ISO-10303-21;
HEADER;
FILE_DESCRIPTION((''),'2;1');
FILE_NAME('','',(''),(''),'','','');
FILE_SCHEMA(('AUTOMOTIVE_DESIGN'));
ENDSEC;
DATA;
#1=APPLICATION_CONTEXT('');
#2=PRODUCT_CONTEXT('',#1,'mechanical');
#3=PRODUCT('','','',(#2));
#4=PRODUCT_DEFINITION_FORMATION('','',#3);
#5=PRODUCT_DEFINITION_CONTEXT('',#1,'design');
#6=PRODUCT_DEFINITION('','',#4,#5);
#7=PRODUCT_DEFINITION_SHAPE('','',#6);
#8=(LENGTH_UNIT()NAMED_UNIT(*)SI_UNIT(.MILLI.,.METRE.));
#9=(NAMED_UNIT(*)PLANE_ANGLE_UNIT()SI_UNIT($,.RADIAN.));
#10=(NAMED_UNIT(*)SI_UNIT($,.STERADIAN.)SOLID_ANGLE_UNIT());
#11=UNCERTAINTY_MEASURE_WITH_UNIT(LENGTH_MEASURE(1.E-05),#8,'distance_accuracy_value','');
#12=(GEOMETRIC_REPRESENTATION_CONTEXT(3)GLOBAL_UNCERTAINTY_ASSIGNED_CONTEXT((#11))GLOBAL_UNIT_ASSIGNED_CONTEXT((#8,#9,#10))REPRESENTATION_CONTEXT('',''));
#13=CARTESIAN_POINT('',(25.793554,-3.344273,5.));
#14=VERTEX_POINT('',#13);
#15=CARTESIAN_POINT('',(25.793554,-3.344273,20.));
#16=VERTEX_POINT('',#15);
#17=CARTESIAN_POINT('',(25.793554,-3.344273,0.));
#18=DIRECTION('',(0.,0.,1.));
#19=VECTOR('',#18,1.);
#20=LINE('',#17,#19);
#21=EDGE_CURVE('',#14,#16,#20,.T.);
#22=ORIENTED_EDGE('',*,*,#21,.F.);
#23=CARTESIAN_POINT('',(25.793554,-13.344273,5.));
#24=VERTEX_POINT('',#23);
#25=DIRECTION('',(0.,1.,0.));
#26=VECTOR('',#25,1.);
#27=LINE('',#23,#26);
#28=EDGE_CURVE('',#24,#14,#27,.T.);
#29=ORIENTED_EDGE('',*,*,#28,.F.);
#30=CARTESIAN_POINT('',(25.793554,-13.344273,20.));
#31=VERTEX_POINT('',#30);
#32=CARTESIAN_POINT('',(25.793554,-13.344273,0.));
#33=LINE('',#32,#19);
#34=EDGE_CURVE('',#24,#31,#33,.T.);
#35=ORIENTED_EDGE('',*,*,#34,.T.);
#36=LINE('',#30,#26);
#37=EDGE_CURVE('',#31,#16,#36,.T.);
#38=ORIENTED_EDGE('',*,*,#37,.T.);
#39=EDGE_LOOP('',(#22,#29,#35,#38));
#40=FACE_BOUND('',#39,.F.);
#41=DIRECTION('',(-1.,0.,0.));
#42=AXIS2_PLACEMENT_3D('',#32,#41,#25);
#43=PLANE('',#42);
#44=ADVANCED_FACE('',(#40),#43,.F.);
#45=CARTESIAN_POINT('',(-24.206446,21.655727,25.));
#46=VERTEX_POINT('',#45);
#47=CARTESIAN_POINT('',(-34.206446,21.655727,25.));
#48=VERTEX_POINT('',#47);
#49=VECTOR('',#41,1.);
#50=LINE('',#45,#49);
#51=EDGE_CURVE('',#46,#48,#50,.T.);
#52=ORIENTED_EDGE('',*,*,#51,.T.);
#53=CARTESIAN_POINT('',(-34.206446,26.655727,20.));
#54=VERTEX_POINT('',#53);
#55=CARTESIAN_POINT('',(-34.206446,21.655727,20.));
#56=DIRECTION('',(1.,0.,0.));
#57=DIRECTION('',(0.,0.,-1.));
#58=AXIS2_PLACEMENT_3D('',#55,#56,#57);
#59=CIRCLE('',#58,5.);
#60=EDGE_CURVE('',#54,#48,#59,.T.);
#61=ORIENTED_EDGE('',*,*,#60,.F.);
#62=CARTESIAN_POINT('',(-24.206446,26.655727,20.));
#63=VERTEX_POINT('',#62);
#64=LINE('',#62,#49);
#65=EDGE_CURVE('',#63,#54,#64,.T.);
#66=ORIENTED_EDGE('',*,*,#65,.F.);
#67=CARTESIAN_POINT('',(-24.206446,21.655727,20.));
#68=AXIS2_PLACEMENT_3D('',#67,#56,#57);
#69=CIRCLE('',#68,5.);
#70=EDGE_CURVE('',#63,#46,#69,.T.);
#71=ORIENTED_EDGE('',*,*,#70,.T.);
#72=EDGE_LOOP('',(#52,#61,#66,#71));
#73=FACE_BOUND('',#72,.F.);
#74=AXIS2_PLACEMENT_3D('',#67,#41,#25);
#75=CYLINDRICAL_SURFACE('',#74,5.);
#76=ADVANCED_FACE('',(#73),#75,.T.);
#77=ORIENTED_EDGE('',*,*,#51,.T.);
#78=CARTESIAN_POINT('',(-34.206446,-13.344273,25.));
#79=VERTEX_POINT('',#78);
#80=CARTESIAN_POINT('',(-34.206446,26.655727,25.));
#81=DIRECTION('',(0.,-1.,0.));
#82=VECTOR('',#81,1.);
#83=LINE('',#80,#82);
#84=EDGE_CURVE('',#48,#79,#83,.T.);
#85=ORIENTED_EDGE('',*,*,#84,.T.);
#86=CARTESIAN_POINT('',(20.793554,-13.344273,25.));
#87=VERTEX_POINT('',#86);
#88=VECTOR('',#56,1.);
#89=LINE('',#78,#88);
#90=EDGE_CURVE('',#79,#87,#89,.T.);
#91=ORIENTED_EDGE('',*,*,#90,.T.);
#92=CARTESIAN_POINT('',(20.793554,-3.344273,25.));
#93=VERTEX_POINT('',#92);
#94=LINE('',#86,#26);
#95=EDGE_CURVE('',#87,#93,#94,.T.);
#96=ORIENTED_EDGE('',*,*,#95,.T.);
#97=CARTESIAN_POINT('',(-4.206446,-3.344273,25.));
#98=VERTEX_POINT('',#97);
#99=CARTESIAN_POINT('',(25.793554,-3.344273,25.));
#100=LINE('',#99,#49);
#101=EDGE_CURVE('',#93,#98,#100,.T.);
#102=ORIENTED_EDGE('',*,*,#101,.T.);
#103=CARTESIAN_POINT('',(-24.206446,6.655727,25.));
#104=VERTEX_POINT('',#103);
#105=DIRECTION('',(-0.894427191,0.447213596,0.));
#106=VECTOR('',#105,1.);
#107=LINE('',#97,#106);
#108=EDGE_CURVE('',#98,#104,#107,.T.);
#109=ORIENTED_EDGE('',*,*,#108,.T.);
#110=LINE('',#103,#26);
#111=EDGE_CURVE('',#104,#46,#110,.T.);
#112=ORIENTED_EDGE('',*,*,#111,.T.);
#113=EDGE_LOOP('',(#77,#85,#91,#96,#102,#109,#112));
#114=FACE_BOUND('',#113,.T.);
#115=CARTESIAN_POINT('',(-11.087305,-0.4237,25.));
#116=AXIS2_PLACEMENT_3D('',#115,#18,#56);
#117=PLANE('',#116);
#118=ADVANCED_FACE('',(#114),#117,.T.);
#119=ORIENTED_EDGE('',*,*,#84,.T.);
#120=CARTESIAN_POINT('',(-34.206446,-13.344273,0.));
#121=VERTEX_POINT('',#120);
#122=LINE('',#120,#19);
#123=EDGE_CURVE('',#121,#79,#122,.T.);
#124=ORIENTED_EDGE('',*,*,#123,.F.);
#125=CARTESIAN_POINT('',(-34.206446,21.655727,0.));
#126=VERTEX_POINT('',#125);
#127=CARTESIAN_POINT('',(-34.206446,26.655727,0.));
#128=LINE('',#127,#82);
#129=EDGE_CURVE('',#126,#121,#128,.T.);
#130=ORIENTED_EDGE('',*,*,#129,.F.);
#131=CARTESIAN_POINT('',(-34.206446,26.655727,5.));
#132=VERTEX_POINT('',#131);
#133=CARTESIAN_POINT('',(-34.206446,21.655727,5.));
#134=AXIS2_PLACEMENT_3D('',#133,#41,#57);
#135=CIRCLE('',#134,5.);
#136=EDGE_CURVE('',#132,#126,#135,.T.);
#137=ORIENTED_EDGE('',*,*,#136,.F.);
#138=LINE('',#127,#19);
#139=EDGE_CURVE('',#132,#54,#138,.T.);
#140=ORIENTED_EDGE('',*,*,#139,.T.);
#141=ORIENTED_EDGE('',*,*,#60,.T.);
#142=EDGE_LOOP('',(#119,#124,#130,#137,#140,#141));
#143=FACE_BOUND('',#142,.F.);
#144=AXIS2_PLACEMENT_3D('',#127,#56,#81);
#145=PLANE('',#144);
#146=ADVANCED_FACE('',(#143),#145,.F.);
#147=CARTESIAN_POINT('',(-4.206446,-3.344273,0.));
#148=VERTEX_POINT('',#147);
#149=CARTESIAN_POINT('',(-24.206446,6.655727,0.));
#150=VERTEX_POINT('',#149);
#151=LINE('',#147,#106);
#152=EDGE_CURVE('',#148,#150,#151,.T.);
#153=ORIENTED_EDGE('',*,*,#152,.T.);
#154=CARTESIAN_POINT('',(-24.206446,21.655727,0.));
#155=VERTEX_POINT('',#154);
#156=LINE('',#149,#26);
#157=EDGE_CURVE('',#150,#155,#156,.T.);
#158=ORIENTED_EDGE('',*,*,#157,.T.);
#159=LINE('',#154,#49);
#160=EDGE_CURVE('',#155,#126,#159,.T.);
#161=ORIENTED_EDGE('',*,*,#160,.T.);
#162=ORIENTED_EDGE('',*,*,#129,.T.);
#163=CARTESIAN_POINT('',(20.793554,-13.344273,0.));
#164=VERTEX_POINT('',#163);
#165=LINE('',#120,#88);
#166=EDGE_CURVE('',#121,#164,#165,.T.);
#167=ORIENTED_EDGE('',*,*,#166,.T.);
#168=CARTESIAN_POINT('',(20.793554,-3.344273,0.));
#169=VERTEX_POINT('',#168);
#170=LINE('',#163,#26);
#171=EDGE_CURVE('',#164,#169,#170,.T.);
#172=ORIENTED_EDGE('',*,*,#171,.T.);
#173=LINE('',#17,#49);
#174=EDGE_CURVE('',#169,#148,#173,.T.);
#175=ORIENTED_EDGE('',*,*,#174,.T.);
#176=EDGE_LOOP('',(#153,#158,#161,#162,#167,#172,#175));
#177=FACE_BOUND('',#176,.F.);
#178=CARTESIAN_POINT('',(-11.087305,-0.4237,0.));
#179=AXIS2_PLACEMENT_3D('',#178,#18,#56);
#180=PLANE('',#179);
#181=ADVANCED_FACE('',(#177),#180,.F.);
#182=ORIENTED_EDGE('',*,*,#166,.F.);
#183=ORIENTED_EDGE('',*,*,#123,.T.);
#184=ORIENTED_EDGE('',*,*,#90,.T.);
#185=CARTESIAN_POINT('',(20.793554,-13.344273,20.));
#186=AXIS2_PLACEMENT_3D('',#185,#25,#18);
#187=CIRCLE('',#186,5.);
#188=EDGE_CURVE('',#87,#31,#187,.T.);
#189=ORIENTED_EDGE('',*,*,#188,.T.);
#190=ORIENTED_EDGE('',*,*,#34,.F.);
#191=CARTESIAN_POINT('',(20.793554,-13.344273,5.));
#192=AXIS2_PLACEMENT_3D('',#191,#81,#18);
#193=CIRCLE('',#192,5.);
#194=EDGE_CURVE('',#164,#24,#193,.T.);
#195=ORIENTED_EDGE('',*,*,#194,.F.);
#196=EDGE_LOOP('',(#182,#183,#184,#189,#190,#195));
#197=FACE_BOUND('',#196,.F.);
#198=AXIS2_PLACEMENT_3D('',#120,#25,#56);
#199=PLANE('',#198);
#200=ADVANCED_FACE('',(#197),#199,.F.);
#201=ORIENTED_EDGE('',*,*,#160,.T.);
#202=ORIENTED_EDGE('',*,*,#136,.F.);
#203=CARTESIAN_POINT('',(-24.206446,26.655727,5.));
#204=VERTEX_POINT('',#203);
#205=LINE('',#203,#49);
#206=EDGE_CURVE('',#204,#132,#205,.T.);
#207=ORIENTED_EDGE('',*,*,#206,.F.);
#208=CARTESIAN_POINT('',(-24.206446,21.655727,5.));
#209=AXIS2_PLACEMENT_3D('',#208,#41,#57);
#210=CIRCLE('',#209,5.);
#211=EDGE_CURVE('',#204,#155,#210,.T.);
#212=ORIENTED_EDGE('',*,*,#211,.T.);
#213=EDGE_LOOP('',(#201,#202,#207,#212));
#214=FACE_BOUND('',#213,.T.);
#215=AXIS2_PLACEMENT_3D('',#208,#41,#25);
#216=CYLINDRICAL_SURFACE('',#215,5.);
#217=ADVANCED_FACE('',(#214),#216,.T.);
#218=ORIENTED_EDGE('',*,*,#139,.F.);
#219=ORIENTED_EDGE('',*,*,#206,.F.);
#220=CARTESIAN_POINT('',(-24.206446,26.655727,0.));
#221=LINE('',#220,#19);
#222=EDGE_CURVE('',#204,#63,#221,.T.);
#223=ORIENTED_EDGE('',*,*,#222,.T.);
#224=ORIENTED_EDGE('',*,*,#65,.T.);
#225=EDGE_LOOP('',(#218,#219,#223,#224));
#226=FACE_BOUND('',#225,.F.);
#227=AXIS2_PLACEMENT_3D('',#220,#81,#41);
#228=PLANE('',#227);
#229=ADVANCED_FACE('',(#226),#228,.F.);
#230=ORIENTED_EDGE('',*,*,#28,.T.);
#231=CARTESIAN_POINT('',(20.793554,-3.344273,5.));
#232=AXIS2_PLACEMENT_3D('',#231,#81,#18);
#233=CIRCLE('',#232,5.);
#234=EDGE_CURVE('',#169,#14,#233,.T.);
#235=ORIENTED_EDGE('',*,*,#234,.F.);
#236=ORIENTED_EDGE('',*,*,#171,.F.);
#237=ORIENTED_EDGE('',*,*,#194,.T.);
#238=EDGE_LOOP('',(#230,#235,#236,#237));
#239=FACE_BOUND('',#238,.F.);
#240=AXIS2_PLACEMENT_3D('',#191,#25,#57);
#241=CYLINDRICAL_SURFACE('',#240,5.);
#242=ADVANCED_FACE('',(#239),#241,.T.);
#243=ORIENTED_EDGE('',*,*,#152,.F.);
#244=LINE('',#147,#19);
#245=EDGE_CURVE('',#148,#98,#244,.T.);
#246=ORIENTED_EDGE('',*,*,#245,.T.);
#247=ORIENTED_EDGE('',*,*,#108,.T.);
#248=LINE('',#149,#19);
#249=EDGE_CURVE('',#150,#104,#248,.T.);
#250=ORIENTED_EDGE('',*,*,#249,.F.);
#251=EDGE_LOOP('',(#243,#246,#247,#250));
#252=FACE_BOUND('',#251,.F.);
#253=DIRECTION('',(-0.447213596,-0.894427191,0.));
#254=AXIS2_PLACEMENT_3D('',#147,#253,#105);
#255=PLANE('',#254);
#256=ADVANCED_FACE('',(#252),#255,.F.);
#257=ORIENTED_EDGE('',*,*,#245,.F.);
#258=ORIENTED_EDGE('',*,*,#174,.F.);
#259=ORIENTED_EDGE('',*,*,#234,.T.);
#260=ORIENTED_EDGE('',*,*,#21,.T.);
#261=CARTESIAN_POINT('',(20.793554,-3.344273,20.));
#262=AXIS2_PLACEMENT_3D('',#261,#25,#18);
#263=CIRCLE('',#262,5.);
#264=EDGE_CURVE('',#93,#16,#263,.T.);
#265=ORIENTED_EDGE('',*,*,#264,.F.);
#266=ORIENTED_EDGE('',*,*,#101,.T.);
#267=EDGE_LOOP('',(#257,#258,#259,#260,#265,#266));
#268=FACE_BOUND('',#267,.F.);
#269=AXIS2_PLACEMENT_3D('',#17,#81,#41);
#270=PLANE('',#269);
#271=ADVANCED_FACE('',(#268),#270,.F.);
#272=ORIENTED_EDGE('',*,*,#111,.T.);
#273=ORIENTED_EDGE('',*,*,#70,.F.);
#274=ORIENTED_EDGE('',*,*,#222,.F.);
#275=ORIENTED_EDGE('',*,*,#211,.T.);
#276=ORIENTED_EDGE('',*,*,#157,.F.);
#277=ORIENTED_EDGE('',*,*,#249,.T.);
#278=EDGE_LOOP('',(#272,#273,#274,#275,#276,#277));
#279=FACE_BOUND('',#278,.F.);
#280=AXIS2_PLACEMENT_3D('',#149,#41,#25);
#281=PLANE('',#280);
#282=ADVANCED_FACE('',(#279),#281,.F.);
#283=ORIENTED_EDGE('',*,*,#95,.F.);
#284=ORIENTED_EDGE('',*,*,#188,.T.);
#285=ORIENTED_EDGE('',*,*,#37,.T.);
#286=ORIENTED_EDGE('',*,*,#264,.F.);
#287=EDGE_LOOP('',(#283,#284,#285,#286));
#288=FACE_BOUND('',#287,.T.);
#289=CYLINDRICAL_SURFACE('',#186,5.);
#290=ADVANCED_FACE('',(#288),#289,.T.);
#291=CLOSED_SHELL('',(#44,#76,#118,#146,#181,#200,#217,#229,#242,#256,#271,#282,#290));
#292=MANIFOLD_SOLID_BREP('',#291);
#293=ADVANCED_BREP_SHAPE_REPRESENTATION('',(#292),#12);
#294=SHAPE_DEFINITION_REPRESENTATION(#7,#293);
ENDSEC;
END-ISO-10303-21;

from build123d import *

# Parameters (mm, degrees)
F1_DEPTH = 25
F2_R     = 5
F3_R     = 5


with BuildPart() as f1:
    # F0 (on Top) → F1 (new body)
    with BuildSketch(Plane.XY):
        Polygon((-24.206446, 26.655727), (-34.206446, 26.655727), (-34.206446, -13.344273), (25.793554, -13.344273), (25.793554, -3.344273), (-4.206446, -3.344273), (-24.206446, 6.655727), align=None)
    extrude(amount=F1_DEPTH)

    # F2
    f2_edges = [f1.edges().sort_by_distance(p)[0] for p in [
        (-29.206446, 26.655727, 25),
        (-29.206446, 26.655727, 0),
    ]]
    fillet(f2_edges, radius=F2_R)

    # F3
    f3_edges = [f1.edges().sort_by_distance(p)[0] for p in [
        (25.793554, -8.344273, 25),
        (25.793554, -8.344273, 0),
    ]]
    fillet(f3_edges, radius=F3_R)


solid = f1.part
